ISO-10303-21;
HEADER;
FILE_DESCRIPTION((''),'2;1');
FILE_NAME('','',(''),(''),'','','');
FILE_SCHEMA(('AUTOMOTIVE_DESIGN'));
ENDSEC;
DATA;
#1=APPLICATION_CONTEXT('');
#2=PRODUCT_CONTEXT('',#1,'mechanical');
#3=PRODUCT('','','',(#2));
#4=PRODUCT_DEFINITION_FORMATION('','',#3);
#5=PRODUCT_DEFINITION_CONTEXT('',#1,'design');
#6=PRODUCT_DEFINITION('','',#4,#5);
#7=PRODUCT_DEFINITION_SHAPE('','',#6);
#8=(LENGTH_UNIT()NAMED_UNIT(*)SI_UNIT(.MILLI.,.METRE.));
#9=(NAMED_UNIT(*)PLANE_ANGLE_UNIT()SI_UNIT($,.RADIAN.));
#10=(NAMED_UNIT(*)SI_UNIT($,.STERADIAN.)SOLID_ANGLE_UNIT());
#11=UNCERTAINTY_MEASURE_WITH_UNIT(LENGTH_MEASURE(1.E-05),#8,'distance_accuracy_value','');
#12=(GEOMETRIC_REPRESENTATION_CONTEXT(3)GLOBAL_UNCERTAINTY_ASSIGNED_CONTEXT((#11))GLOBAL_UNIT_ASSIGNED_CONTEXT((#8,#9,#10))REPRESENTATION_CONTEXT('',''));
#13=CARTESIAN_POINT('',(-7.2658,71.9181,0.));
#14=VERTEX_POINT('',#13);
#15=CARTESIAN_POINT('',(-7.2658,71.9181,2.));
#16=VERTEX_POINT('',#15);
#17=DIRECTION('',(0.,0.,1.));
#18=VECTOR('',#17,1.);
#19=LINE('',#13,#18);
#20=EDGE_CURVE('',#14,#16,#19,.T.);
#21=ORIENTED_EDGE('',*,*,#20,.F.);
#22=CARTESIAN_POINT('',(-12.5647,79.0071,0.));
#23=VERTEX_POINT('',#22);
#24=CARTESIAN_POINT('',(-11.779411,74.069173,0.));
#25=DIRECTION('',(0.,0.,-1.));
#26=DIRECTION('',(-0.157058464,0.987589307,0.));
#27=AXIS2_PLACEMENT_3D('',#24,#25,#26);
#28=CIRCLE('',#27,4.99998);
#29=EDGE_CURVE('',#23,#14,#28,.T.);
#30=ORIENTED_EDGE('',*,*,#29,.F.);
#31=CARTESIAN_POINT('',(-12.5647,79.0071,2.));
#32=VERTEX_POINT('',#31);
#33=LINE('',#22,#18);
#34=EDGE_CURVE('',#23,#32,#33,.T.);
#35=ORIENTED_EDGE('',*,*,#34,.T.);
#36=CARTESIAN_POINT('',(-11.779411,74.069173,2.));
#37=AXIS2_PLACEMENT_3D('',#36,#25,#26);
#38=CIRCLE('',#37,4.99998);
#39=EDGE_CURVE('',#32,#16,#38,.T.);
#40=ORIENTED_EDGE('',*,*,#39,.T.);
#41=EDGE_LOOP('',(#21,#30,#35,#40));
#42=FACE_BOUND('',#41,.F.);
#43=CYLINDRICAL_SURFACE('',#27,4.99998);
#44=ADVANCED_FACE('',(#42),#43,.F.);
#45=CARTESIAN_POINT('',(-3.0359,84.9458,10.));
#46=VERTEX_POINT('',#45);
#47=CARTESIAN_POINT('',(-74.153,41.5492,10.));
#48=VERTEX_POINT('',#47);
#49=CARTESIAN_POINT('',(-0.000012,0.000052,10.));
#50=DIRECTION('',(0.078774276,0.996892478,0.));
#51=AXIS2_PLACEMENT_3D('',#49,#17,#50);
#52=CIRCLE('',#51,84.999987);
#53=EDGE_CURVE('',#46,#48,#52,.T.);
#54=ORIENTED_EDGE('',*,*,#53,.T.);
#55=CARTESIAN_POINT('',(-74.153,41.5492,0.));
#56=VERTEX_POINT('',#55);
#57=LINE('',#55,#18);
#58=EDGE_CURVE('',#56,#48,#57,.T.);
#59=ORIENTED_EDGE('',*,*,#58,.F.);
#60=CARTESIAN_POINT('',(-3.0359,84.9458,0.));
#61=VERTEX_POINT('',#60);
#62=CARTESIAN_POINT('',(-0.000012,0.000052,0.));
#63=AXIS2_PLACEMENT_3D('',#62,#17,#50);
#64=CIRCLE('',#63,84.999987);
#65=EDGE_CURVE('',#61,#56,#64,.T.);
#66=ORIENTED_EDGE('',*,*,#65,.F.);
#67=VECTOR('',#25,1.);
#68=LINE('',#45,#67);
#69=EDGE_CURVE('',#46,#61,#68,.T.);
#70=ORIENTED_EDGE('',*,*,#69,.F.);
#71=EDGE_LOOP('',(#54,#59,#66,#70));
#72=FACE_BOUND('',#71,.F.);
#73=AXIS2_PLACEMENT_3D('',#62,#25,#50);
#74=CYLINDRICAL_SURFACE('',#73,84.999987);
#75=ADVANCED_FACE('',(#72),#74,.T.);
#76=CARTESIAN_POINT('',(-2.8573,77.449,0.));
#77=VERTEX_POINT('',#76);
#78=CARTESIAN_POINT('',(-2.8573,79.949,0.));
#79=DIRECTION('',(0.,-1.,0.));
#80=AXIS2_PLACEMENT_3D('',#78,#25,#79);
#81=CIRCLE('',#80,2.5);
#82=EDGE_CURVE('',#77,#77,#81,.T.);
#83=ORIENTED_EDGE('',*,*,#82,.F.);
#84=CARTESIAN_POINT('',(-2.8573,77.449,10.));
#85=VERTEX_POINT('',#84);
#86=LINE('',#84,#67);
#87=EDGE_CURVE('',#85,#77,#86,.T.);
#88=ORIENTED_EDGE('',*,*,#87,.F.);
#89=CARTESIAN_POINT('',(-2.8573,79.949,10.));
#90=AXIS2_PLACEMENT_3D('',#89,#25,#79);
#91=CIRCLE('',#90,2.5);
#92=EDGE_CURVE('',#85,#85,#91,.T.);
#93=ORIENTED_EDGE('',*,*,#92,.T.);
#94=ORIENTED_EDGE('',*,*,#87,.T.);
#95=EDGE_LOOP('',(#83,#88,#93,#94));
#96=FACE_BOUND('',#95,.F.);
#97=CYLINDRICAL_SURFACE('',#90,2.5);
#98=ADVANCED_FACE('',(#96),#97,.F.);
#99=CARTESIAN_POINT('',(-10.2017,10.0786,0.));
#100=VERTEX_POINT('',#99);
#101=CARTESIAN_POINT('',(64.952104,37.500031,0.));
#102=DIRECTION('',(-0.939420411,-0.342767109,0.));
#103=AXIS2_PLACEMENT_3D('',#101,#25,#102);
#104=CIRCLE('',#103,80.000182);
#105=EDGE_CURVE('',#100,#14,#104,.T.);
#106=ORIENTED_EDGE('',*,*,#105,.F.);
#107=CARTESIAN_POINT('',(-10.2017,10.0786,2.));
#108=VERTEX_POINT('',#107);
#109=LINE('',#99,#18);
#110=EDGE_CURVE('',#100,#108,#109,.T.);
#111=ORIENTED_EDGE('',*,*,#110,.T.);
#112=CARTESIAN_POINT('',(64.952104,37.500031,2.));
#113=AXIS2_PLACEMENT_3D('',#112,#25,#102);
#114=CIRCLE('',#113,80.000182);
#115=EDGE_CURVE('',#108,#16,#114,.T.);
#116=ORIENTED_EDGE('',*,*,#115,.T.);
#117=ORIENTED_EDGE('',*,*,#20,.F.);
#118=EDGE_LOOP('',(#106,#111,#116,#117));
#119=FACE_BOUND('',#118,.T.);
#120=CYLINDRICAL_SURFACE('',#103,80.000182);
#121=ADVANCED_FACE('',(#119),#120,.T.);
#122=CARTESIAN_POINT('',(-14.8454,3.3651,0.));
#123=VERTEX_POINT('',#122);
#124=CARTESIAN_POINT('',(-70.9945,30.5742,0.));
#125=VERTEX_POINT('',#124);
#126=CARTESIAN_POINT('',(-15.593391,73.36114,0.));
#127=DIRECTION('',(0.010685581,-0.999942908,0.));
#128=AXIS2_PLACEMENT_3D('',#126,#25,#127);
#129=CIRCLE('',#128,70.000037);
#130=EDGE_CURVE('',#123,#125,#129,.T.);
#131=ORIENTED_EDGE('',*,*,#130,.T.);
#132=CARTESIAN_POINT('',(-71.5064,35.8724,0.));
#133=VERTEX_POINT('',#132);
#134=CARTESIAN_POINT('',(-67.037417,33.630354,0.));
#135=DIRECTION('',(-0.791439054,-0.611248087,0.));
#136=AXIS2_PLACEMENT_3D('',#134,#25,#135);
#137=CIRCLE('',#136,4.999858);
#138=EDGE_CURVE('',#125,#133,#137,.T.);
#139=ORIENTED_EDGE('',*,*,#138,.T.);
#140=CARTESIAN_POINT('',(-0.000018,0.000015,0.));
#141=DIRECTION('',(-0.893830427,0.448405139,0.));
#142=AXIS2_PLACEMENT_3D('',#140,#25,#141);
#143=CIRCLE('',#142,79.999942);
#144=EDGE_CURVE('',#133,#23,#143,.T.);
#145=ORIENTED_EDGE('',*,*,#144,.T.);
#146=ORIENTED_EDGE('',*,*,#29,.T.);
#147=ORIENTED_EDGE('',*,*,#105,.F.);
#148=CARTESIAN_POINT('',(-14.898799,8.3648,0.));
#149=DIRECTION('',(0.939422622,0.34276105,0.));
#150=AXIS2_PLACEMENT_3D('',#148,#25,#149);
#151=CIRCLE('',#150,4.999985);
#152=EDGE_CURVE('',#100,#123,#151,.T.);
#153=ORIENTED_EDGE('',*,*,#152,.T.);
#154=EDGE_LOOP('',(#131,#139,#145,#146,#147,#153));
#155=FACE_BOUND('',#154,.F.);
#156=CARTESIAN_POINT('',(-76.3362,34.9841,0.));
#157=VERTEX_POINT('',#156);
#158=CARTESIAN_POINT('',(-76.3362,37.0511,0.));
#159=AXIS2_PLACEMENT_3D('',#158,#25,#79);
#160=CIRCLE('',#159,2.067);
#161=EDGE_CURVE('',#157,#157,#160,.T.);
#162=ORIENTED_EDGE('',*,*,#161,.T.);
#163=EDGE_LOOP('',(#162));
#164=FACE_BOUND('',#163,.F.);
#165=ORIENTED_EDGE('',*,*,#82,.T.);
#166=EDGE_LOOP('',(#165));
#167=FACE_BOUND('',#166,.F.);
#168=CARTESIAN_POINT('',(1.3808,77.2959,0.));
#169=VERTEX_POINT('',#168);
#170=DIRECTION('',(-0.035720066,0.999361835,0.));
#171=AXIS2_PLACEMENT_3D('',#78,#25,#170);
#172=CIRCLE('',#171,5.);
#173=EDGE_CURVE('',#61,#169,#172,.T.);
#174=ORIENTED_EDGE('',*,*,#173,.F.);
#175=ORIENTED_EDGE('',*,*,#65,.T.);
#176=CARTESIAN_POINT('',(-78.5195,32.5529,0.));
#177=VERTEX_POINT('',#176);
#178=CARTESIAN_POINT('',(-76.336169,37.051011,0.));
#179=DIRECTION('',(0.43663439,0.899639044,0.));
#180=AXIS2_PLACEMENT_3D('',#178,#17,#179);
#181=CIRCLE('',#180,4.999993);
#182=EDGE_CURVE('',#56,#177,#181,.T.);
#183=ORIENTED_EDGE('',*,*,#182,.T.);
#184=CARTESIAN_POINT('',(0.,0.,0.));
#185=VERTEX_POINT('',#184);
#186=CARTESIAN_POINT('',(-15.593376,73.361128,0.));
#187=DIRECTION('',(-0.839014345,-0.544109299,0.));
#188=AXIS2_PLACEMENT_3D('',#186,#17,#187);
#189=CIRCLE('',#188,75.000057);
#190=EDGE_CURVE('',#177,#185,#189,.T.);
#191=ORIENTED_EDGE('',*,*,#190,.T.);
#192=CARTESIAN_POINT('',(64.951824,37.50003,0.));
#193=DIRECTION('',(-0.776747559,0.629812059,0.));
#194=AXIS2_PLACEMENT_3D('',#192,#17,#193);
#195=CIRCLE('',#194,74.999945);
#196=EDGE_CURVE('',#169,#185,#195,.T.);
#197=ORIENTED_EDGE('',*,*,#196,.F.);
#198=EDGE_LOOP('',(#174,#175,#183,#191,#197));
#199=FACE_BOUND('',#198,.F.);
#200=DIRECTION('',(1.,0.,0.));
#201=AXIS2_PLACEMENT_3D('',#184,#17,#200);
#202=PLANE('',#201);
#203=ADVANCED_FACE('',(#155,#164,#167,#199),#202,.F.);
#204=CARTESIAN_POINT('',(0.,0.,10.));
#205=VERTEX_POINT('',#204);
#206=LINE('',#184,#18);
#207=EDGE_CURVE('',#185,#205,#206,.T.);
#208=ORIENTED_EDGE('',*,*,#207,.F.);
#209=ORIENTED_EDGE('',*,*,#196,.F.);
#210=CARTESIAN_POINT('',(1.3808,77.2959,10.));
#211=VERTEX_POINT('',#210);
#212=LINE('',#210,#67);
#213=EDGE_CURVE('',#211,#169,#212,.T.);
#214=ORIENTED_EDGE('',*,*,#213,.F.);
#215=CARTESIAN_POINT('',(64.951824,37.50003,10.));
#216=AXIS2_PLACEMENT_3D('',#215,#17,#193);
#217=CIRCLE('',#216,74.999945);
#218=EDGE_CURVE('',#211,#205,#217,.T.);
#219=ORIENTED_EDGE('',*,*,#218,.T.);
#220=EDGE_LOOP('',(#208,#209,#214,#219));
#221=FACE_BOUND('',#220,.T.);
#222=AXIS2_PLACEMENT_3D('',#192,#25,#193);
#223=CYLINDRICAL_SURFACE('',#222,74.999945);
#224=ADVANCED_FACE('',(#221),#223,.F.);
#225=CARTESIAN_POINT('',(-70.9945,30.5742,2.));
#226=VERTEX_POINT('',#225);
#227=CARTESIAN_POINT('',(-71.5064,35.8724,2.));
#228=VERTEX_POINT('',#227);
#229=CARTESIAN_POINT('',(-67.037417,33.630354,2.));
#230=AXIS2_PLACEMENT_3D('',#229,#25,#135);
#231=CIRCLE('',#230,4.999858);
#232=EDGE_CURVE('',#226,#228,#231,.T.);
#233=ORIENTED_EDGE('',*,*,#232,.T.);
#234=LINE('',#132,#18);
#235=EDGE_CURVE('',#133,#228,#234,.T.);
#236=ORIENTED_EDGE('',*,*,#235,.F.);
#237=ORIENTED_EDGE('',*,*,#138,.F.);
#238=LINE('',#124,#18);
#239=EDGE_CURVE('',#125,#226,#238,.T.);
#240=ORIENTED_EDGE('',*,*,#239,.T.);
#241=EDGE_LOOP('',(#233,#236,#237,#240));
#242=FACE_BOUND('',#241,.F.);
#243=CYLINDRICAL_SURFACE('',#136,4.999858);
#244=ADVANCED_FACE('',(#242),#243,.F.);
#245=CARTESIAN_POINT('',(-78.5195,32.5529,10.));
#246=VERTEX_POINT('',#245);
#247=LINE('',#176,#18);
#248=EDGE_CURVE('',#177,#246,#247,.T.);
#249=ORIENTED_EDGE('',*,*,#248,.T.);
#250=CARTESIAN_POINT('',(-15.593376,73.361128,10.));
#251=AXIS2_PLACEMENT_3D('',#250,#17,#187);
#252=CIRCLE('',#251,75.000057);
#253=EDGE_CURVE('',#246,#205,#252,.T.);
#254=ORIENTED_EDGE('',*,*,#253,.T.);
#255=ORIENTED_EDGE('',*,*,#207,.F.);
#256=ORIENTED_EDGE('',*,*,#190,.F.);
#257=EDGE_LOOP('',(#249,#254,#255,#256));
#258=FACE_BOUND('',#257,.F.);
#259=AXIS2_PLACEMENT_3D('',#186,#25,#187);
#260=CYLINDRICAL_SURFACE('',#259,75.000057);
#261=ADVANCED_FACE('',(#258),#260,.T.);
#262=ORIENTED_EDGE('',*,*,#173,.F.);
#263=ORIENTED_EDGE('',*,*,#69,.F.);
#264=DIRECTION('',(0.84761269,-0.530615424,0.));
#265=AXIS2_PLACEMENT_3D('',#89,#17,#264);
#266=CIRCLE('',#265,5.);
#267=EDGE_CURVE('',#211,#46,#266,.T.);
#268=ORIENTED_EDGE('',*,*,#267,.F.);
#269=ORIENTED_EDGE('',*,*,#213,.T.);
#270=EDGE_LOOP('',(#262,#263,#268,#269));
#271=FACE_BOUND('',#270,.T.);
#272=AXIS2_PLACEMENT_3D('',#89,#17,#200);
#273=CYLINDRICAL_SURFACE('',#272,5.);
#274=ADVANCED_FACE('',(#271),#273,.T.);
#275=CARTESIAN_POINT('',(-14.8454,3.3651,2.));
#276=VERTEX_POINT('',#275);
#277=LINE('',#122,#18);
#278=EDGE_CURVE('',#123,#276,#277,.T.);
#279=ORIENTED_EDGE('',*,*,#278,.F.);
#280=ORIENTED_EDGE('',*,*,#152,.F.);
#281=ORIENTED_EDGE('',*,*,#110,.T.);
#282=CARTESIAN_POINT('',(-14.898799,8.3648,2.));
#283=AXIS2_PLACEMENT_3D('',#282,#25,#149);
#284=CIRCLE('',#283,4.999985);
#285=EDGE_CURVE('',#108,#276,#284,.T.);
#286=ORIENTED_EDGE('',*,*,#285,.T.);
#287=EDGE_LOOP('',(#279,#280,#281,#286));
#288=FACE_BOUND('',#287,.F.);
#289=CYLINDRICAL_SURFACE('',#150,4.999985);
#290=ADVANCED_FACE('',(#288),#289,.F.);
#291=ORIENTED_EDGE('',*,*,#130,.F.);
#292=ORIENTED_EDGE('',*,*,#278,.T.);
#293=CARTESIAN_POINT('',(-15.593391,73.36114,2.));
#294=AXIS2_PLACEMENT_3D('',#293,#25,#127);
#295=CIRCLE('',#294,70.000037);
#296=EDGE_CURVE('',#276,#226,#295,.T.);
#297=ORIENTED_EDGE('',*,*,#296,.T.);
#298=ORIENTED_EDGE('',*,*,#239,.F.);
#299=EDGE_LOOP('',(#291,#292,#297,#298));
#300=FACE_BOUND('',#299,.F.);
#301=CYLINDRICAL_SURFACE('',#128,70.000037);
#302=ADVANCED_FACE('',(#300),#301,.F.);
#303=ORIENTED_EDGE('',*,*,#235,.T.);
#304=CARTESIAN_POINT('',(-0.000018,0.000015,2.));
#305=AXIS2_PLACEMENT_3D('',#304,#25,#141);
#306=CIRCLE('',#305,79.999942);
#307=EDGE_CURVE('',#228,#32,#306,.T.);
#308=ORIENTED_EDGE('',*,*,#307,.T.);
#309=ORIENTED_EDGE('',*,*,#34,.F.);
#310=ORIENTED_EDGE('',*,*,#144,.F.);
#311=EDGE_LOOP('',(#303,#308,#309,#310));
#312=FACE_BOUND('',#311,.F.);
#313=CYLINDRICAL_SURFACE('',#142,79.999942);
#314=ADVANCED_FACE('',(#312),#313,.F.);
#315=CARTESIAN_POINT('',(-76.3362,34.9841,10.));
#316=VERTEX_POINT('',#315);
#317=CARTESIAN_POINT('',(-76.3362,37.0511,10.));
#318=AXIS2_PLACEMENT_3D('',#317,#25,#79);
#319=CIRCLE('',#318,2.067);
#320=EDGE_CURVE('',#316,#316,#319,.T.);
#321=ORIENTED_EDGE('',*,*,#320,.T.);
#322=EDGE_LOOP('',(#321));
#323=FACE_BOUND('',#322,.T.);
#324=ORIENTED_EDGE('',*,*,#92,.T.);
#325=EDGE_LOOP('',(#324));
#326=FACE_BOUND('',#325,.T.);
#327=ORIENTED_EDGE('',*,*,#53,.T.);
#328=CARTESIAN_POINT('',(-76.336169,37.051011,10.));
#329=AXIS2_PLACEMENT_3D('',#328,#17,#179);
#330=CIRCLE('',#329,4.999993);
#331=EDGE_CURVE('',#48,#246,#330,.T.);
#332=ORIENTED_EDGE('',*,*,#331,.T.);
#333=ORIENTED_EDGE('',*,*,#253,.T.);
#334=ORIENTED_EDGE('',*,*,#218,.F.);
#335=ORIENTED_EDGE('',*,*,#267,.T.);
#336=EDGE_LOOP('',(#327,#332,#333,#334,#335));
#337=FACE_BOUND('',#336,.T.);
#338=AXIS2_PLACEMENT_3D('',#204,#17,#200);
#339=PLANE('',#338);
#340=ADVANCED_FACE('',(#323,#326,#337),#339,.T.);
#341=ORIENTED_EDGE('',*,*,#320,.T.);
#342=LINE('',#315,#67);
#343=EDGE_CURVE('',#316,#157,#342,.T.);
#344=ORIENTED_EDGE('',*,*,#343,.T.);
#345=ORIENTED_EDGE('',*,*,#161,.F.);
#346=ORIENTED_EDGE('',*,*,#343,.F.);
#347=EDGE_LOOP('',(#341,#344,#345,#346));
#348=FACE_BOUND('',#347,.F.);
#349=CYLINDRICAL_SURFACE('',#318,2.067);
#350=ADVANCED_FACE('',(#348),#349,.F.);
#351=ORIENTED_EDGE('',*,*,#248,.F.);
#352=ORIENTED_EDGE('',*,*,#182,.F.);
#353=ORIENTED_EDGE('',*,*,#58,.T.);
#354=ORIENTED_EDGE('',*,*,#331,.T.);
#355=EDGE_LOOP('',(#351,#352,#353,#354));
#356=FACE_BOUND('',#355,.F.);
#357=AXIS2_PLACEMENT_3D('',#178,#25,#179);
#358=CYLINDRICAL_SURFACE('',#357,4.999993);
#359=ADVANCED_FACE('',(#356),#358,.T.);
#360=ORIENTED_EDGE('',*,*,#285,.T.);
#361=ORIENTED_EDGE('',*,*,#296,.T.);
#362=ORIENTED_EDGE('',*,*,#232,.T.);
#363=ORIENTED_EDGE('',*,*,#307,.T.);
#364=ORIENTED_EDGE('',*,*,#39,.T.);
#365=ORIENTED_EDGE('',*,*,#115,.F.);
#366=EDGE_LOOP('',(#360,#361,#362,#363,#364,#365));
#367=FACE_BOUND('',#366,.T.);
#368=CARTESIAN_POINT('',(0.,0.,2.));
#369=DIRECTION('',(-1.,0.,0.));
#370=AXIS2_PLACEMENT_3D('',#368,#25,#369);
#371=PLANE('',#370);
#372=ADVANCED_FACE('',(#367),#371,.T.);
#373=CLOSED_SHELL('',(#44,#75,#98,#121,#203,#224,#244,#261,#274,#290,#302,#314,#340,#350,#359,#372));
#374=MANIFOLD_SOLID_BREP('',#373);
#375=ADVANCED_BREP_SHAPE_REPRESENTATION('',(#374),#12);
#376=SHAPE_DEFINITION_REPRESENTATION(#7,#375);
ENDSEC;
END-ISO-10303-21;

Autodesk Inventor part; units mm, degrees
ref_plane "YZ Plane" through (0, 0, 0) normal (1, 0, 0) x (0, 1, 0)
ref_plane "XZ Plane" through (0, 0, 0) normal (0, 1, 0) x (-1, 0, 0)
ref_plane "XY Plane" through (0, 0, 0) normal (0, 0, 1) x (1, 0, 0)
sketch "Sketch1" plane through (0, 0, 0) normal (0, 0, 1) x (1, 0, 0)
  circle A0 centre (0, 0) radius 75 construction
  arc A1 (-78.5195, 32.5529) -> (0, 0) centre (-15.5934, 73.3611) ccw
  line L0 (-15.5934, 73.3611) -> (-78.5195, 32.5529) construction
  line L1 (-15.5934, 73.3611) -> (0, 0) construction
  line L2 (0, 0) -> (64.9519, 37.5) construction
  arc A2 (6.6958, 84.7359) -> (0, 0) centre (64.9519, 37.5) ccw
  line L3 (64.9519, 37.5) -> (6.6958, 84.7359) construction
  line L4 (64.9519, 37.5) -> (0, 0) construction
  line L5 (0, 0) -> (0, 75) construction
  circle A3 centre (0, 0) radius 85 construction
  arc A4 (6.6958, 84.7359) -> (-78.5195, 32.5529) centre (0, 0) ccw
  arc A5 (-74.153, 41.5492) -> (-78.5195, 32.5529) centre (-76.3362, 37.0511) ccw
  line L6 (-76.3362, 37.0511) -> (-78.5195, 32.5529) construction
  line L7 (-76.3362, 37.0511) -> (-74.153, 41.5492) construction
  point P0 (0, 0)
  dimension "d1" = 72
  dimension "d4" = 60
  dimension "d21" = 170
  dimension "d39" = 5
  dimension "d40" = 180
extrude "Extrusion1" add sketch "Sketch1" along normal blind 10
sketch "Sketch3" plane through (0, 0, 10) normal (0, 0, 1) x (1, 0, 0)
  circle A0 centre (0, 0) radius 80 construction
  circle A1 centre (64.9519, 37.5) radius 75 projected
  circle A2 centre (64.9519, 37.5) radius 80 construction
  point P0 (0, 0)
  point P1 (-2.8573, 79.949)
  dimension "d25" = 160
  dimension "d26" = 160
hole "Hole2" at (-2.8573, 79.949, 10) direction (0, 0, -1) diameter 5 end through all
sketch "Sketch4" plane through (0, 0, 10) normal (0, 0, 1) x (1, 0, 0)
  circle A0 centre (-2.8573, 79.949) radius 2.5 projected
  arc A1 (-78.5195, 32.5529) -> (0, 0) centre (-15.5934, 73.3611) ccw projected
  arc A2 (6.6958, 84.7359) -> (1.3808, 77.2959) centre (64.9519, 37.5) ccw
  arc A3 (6.6958, 84.7359) -> (-3.0359, 84.9458) centre (0, 0) ccw
  arc A4 (6.6958, 84.7359) -> (0, 0) centre (64.9519, 37.5) ccw projected
  arc A5 (6.6958, 84.7359) -> (-78.5195, 32.5529) centre (0, 0) ccw projected
  circle A6 centre (-2.8573, 79.949) radius 5
extrude "Extrusion2" cut sketch "Sketch4" against normal blind 10 contours A3 A2 A6
sketch "Sketch5" plane through (0, 0, 10) normal (0, 0, 1) x (1, 0, 0)
  arc A0 (1.3808, 77.2959) -> (-3.0359, 84.9458) centre (-2.8573, 79.949) ccw projected
  arc A1 (-3.0359, 84.9458) -> (-74.153, 41.5492) centre (0, 0) ccw projected
  arc A2 (-74.153, 41.5492) -> (-78.5195, 32.5529) centre (-76.3362, 37.0511) ccw projected
  arc A3 (-78.5195, 32.5529) -> (0, 0) centre (-15.5934, 73.3611) ccw projected
  arc A4 (1.3808, 77.2959) -> (0, 0) centre (64.9519, 37.5) ccw projected
  circle A5 centre (-2.8573, 79.949) radius 2.5 projected
  point P0 (0, 0)
hole "Hole3" at (-76.3362, 37.0511, 10) direction (0, 0, -1) diameter 4.134 end through all thread size "M5x0.8" class "6H" standard "ANSI Metric M Profile"
sketch "Sketch7" plane through (0, 0, 0) normal (0, 0, -1) x (-1, 0, 0)
  circle A0 centre (76.3362, 37.0511) radius 2.067 projected
  arc A1 (3.0359, 84.9458) -> (-1.3808, 77.2959) centre (2.8573, 79.949) ccw projected
  arc A2 (0, 0) -> (-1.3808, 77.2959) centre (-64.9519, 37.5) ccw projected
  arc A3 (0, 0) -> (78.5195, 32.5529) centre (15.5934, 73.3611) ccw projected
  arc A4 (78.5195, 32.5529) -> (74.153, 41.5492) centre (76.3362, 37.0511) ccw projected
  arc A5 (74.153, 41.5492) -> (3.0359, 84.9458) centre (0, 0) ccw projected
  circle A6 centre (2.8573, 79.949) radius 2.5 projected
  arc A7 (71.5064, 35.8724) -> (12.5647, 79.0071) centre (0, 0) ccw
  arc A8 (14.8454, 3.3651) -> (70.9945, 30.5742) centre (15.5934, 73.3611) ccw
  arc A9 (10.2017, 10.0786) -> (7.2658, 71.9181) centre (-64.9519, 37.5) ccw
  arc A10 (10.2017, 10.0786) -> (14.8454, 3.3651) centre (14.8988, 8.3648) ccw
  arc A11 (12.5647, 79.0071) -> (7.2658, 71.9181) centre (11.7794, 74.0692) ccw
  arc A12 (70.9945, 30.5742) -> (71.5064, 35.8724) centre (67.0373, 33.6304) ccw
  point P0 (0, 0)
  dimension "d51" = 5
  dimension "d55" = 5
extrude "Extrusion4" cut sketch "Sketch7" against normal blind 2 contours A12 A8 A10 A9 A11 A7
properties part number "blad"
